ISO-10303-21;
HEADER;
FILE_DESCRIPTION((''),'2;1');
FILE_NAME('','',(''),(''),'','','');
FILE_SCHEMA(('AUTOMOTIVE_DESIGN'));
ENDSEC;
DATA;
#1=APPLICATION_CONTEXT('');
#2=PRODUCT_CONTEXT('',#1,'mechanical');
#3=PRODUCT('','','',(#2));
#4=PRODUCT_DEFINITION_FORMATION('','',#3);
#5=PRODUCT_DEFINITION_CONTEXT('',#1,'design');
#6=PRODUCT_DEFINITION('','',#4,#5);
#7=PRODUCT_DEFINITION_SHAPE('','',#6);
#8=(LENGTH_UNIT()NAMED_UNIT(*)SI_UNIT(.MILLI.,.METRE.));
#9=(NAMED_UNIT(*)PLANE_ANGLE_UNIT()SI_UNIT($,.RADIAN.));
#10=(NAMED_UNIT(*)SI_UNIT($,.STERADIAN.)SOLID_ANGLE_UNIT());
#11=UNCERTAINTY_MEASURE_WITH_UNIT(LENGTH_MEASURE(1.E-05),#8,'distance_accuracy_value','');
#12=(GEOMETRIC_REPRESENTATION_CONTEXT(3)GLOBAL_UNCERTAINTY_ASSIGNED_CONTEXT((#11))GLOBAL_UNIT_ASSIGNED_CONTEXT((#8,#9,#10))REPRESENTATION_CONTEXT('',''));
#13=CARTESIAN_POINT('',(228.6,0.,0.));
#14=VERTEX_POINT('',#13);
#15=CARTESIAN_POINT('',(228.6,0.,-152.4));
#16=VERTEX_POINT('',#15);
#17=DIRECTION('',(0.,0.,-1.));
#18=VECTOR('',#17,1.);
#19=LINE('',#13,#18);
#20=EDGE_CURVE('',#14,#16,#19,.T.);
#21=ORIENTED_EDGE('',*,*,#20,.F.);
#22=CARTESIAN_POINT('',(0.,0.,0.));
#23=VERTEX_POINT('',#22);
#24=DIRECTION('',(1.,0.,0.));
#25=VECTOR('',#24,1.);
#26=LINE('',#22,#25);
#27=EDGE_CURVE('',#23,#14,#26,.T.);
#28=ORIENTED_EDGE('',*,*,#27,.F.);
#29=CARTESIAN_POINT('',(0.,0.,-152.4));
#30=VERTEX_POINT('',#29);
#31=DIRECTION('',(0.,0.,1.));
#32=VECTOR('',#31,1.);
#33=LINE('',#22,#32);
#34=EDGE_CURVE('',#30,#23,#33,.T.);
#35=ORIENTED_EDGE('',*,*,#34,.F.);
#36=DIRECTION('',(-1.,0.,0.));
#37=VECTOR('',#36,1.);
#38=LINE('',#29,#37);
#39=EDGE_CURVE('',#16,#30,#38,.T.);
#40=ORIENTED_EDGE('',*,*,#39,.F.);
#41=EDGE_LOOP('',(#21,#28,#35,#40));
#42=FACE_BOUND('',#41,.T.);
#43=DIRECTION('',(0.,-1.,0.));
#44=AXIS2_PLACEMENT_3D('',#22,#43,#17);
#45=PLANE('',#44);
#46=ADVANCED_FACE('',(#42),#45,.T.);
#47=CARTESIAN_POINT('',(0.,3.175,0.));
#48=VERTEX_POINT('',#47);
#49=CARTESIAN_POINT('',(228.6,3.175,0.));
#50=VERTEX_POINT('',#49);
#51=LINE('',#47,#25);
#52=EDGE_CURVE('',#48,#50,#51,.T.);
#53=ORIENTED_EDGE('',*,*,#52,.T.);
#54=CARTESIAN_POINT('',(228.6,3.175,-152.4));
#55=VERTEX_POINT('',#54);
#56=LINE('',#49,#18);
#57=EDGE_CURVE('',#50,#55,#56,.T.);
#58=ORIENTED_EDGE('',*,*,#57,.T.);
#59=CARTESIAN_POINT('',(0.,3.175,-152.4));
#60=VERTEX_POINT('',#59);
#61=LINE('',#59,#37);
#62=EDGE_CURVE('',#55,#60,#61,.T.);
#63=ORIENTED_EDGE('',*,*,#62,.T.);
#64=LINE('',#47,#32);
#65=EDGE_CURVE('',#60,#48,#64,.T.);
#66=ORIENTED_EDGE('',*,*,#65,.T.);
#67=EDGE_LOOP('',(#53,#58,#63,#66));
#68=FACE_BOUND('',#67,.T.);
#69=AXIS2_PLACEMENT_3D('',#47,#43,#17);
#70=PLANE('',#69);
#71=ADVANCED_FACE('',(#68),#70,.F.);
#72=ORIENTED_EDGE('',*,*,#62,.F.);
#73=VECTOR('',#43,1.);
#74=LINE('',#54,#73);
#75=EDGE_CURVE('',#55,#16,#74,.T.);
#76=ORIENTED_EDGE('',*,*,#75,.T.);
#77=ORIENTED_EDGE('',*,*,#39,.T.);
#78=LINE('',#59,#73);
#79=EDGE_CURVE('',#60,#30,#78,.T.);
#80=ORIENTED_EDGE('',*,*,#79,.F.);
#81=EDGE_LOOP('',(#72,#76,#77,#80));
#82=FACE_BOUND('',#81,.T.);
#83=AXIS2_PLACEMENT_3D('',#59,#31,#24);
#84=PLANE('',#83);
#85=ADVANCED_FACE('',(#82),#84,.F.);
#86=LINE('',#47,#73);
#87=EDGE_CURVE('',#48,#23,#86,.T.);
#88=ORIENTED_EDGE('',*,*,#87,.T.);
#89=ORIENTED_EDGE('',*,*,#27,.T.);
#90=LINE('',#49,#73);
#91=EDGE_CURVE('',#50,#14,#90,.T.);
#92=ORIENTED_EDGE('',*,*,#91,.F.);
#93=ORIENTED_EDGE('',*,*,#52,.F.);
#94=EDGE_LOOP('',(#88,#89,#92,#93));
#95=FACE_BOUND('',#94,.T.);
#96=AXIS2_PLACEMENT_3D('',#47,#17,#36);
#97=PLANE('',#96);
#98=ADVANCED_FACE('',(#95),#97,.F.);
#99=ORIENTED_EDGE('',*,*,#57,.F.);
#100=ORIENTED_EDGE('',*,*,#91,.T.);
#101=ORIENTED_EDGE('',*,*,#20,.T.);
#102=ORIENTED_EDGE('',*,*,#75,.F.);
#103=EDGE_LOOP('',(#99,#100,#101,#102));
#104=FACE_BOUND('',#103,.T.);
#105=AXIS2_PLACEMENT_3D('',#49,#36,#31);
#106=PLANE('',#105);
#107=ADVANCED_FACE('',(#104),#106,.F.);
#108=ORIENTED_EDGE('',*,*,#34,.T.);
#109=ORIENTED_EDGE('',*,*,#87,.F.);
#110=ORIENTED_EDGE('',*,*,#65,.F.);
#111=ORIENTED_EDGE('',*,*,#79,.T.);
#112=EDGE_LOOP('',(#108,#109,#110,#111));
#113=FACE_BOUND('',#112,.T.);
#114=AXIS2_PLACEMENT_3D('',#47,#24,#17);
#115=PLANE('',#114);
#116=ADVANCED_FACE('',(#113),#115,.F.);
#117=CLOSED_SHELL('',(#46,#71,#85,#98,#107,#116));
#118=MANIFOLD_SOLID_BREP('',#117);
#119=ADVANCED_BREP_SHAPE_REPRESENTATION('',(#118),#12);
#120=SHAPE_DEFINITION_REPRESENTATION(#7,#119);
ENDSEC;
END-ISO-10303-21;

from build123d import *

# Parameters (mm, degrees)
BOX_TOP_SKETCH_W    = 228.6
BOX_TOP_SKETCH_H    = 152.4
BOSS_EXTRUDE1_DEPTH = 3.175


with BuildPart() as part:
    # Box Top Sketch → Boss-Extrude1 (new body)
    with BuildSketch(Plane(origin=(0, 0, 0), x_dir=(1, 0, 0), z_dir=(0, 1, 0))):
        with Locations((114.3, 76.2)):
            Rectangle(BOX_TOP_SKETCH_W, BOX_TOP_SKETCH_H)
    extrude(amount=BOSS_EXTRUDE1_DEPTH)


solid = part.part
